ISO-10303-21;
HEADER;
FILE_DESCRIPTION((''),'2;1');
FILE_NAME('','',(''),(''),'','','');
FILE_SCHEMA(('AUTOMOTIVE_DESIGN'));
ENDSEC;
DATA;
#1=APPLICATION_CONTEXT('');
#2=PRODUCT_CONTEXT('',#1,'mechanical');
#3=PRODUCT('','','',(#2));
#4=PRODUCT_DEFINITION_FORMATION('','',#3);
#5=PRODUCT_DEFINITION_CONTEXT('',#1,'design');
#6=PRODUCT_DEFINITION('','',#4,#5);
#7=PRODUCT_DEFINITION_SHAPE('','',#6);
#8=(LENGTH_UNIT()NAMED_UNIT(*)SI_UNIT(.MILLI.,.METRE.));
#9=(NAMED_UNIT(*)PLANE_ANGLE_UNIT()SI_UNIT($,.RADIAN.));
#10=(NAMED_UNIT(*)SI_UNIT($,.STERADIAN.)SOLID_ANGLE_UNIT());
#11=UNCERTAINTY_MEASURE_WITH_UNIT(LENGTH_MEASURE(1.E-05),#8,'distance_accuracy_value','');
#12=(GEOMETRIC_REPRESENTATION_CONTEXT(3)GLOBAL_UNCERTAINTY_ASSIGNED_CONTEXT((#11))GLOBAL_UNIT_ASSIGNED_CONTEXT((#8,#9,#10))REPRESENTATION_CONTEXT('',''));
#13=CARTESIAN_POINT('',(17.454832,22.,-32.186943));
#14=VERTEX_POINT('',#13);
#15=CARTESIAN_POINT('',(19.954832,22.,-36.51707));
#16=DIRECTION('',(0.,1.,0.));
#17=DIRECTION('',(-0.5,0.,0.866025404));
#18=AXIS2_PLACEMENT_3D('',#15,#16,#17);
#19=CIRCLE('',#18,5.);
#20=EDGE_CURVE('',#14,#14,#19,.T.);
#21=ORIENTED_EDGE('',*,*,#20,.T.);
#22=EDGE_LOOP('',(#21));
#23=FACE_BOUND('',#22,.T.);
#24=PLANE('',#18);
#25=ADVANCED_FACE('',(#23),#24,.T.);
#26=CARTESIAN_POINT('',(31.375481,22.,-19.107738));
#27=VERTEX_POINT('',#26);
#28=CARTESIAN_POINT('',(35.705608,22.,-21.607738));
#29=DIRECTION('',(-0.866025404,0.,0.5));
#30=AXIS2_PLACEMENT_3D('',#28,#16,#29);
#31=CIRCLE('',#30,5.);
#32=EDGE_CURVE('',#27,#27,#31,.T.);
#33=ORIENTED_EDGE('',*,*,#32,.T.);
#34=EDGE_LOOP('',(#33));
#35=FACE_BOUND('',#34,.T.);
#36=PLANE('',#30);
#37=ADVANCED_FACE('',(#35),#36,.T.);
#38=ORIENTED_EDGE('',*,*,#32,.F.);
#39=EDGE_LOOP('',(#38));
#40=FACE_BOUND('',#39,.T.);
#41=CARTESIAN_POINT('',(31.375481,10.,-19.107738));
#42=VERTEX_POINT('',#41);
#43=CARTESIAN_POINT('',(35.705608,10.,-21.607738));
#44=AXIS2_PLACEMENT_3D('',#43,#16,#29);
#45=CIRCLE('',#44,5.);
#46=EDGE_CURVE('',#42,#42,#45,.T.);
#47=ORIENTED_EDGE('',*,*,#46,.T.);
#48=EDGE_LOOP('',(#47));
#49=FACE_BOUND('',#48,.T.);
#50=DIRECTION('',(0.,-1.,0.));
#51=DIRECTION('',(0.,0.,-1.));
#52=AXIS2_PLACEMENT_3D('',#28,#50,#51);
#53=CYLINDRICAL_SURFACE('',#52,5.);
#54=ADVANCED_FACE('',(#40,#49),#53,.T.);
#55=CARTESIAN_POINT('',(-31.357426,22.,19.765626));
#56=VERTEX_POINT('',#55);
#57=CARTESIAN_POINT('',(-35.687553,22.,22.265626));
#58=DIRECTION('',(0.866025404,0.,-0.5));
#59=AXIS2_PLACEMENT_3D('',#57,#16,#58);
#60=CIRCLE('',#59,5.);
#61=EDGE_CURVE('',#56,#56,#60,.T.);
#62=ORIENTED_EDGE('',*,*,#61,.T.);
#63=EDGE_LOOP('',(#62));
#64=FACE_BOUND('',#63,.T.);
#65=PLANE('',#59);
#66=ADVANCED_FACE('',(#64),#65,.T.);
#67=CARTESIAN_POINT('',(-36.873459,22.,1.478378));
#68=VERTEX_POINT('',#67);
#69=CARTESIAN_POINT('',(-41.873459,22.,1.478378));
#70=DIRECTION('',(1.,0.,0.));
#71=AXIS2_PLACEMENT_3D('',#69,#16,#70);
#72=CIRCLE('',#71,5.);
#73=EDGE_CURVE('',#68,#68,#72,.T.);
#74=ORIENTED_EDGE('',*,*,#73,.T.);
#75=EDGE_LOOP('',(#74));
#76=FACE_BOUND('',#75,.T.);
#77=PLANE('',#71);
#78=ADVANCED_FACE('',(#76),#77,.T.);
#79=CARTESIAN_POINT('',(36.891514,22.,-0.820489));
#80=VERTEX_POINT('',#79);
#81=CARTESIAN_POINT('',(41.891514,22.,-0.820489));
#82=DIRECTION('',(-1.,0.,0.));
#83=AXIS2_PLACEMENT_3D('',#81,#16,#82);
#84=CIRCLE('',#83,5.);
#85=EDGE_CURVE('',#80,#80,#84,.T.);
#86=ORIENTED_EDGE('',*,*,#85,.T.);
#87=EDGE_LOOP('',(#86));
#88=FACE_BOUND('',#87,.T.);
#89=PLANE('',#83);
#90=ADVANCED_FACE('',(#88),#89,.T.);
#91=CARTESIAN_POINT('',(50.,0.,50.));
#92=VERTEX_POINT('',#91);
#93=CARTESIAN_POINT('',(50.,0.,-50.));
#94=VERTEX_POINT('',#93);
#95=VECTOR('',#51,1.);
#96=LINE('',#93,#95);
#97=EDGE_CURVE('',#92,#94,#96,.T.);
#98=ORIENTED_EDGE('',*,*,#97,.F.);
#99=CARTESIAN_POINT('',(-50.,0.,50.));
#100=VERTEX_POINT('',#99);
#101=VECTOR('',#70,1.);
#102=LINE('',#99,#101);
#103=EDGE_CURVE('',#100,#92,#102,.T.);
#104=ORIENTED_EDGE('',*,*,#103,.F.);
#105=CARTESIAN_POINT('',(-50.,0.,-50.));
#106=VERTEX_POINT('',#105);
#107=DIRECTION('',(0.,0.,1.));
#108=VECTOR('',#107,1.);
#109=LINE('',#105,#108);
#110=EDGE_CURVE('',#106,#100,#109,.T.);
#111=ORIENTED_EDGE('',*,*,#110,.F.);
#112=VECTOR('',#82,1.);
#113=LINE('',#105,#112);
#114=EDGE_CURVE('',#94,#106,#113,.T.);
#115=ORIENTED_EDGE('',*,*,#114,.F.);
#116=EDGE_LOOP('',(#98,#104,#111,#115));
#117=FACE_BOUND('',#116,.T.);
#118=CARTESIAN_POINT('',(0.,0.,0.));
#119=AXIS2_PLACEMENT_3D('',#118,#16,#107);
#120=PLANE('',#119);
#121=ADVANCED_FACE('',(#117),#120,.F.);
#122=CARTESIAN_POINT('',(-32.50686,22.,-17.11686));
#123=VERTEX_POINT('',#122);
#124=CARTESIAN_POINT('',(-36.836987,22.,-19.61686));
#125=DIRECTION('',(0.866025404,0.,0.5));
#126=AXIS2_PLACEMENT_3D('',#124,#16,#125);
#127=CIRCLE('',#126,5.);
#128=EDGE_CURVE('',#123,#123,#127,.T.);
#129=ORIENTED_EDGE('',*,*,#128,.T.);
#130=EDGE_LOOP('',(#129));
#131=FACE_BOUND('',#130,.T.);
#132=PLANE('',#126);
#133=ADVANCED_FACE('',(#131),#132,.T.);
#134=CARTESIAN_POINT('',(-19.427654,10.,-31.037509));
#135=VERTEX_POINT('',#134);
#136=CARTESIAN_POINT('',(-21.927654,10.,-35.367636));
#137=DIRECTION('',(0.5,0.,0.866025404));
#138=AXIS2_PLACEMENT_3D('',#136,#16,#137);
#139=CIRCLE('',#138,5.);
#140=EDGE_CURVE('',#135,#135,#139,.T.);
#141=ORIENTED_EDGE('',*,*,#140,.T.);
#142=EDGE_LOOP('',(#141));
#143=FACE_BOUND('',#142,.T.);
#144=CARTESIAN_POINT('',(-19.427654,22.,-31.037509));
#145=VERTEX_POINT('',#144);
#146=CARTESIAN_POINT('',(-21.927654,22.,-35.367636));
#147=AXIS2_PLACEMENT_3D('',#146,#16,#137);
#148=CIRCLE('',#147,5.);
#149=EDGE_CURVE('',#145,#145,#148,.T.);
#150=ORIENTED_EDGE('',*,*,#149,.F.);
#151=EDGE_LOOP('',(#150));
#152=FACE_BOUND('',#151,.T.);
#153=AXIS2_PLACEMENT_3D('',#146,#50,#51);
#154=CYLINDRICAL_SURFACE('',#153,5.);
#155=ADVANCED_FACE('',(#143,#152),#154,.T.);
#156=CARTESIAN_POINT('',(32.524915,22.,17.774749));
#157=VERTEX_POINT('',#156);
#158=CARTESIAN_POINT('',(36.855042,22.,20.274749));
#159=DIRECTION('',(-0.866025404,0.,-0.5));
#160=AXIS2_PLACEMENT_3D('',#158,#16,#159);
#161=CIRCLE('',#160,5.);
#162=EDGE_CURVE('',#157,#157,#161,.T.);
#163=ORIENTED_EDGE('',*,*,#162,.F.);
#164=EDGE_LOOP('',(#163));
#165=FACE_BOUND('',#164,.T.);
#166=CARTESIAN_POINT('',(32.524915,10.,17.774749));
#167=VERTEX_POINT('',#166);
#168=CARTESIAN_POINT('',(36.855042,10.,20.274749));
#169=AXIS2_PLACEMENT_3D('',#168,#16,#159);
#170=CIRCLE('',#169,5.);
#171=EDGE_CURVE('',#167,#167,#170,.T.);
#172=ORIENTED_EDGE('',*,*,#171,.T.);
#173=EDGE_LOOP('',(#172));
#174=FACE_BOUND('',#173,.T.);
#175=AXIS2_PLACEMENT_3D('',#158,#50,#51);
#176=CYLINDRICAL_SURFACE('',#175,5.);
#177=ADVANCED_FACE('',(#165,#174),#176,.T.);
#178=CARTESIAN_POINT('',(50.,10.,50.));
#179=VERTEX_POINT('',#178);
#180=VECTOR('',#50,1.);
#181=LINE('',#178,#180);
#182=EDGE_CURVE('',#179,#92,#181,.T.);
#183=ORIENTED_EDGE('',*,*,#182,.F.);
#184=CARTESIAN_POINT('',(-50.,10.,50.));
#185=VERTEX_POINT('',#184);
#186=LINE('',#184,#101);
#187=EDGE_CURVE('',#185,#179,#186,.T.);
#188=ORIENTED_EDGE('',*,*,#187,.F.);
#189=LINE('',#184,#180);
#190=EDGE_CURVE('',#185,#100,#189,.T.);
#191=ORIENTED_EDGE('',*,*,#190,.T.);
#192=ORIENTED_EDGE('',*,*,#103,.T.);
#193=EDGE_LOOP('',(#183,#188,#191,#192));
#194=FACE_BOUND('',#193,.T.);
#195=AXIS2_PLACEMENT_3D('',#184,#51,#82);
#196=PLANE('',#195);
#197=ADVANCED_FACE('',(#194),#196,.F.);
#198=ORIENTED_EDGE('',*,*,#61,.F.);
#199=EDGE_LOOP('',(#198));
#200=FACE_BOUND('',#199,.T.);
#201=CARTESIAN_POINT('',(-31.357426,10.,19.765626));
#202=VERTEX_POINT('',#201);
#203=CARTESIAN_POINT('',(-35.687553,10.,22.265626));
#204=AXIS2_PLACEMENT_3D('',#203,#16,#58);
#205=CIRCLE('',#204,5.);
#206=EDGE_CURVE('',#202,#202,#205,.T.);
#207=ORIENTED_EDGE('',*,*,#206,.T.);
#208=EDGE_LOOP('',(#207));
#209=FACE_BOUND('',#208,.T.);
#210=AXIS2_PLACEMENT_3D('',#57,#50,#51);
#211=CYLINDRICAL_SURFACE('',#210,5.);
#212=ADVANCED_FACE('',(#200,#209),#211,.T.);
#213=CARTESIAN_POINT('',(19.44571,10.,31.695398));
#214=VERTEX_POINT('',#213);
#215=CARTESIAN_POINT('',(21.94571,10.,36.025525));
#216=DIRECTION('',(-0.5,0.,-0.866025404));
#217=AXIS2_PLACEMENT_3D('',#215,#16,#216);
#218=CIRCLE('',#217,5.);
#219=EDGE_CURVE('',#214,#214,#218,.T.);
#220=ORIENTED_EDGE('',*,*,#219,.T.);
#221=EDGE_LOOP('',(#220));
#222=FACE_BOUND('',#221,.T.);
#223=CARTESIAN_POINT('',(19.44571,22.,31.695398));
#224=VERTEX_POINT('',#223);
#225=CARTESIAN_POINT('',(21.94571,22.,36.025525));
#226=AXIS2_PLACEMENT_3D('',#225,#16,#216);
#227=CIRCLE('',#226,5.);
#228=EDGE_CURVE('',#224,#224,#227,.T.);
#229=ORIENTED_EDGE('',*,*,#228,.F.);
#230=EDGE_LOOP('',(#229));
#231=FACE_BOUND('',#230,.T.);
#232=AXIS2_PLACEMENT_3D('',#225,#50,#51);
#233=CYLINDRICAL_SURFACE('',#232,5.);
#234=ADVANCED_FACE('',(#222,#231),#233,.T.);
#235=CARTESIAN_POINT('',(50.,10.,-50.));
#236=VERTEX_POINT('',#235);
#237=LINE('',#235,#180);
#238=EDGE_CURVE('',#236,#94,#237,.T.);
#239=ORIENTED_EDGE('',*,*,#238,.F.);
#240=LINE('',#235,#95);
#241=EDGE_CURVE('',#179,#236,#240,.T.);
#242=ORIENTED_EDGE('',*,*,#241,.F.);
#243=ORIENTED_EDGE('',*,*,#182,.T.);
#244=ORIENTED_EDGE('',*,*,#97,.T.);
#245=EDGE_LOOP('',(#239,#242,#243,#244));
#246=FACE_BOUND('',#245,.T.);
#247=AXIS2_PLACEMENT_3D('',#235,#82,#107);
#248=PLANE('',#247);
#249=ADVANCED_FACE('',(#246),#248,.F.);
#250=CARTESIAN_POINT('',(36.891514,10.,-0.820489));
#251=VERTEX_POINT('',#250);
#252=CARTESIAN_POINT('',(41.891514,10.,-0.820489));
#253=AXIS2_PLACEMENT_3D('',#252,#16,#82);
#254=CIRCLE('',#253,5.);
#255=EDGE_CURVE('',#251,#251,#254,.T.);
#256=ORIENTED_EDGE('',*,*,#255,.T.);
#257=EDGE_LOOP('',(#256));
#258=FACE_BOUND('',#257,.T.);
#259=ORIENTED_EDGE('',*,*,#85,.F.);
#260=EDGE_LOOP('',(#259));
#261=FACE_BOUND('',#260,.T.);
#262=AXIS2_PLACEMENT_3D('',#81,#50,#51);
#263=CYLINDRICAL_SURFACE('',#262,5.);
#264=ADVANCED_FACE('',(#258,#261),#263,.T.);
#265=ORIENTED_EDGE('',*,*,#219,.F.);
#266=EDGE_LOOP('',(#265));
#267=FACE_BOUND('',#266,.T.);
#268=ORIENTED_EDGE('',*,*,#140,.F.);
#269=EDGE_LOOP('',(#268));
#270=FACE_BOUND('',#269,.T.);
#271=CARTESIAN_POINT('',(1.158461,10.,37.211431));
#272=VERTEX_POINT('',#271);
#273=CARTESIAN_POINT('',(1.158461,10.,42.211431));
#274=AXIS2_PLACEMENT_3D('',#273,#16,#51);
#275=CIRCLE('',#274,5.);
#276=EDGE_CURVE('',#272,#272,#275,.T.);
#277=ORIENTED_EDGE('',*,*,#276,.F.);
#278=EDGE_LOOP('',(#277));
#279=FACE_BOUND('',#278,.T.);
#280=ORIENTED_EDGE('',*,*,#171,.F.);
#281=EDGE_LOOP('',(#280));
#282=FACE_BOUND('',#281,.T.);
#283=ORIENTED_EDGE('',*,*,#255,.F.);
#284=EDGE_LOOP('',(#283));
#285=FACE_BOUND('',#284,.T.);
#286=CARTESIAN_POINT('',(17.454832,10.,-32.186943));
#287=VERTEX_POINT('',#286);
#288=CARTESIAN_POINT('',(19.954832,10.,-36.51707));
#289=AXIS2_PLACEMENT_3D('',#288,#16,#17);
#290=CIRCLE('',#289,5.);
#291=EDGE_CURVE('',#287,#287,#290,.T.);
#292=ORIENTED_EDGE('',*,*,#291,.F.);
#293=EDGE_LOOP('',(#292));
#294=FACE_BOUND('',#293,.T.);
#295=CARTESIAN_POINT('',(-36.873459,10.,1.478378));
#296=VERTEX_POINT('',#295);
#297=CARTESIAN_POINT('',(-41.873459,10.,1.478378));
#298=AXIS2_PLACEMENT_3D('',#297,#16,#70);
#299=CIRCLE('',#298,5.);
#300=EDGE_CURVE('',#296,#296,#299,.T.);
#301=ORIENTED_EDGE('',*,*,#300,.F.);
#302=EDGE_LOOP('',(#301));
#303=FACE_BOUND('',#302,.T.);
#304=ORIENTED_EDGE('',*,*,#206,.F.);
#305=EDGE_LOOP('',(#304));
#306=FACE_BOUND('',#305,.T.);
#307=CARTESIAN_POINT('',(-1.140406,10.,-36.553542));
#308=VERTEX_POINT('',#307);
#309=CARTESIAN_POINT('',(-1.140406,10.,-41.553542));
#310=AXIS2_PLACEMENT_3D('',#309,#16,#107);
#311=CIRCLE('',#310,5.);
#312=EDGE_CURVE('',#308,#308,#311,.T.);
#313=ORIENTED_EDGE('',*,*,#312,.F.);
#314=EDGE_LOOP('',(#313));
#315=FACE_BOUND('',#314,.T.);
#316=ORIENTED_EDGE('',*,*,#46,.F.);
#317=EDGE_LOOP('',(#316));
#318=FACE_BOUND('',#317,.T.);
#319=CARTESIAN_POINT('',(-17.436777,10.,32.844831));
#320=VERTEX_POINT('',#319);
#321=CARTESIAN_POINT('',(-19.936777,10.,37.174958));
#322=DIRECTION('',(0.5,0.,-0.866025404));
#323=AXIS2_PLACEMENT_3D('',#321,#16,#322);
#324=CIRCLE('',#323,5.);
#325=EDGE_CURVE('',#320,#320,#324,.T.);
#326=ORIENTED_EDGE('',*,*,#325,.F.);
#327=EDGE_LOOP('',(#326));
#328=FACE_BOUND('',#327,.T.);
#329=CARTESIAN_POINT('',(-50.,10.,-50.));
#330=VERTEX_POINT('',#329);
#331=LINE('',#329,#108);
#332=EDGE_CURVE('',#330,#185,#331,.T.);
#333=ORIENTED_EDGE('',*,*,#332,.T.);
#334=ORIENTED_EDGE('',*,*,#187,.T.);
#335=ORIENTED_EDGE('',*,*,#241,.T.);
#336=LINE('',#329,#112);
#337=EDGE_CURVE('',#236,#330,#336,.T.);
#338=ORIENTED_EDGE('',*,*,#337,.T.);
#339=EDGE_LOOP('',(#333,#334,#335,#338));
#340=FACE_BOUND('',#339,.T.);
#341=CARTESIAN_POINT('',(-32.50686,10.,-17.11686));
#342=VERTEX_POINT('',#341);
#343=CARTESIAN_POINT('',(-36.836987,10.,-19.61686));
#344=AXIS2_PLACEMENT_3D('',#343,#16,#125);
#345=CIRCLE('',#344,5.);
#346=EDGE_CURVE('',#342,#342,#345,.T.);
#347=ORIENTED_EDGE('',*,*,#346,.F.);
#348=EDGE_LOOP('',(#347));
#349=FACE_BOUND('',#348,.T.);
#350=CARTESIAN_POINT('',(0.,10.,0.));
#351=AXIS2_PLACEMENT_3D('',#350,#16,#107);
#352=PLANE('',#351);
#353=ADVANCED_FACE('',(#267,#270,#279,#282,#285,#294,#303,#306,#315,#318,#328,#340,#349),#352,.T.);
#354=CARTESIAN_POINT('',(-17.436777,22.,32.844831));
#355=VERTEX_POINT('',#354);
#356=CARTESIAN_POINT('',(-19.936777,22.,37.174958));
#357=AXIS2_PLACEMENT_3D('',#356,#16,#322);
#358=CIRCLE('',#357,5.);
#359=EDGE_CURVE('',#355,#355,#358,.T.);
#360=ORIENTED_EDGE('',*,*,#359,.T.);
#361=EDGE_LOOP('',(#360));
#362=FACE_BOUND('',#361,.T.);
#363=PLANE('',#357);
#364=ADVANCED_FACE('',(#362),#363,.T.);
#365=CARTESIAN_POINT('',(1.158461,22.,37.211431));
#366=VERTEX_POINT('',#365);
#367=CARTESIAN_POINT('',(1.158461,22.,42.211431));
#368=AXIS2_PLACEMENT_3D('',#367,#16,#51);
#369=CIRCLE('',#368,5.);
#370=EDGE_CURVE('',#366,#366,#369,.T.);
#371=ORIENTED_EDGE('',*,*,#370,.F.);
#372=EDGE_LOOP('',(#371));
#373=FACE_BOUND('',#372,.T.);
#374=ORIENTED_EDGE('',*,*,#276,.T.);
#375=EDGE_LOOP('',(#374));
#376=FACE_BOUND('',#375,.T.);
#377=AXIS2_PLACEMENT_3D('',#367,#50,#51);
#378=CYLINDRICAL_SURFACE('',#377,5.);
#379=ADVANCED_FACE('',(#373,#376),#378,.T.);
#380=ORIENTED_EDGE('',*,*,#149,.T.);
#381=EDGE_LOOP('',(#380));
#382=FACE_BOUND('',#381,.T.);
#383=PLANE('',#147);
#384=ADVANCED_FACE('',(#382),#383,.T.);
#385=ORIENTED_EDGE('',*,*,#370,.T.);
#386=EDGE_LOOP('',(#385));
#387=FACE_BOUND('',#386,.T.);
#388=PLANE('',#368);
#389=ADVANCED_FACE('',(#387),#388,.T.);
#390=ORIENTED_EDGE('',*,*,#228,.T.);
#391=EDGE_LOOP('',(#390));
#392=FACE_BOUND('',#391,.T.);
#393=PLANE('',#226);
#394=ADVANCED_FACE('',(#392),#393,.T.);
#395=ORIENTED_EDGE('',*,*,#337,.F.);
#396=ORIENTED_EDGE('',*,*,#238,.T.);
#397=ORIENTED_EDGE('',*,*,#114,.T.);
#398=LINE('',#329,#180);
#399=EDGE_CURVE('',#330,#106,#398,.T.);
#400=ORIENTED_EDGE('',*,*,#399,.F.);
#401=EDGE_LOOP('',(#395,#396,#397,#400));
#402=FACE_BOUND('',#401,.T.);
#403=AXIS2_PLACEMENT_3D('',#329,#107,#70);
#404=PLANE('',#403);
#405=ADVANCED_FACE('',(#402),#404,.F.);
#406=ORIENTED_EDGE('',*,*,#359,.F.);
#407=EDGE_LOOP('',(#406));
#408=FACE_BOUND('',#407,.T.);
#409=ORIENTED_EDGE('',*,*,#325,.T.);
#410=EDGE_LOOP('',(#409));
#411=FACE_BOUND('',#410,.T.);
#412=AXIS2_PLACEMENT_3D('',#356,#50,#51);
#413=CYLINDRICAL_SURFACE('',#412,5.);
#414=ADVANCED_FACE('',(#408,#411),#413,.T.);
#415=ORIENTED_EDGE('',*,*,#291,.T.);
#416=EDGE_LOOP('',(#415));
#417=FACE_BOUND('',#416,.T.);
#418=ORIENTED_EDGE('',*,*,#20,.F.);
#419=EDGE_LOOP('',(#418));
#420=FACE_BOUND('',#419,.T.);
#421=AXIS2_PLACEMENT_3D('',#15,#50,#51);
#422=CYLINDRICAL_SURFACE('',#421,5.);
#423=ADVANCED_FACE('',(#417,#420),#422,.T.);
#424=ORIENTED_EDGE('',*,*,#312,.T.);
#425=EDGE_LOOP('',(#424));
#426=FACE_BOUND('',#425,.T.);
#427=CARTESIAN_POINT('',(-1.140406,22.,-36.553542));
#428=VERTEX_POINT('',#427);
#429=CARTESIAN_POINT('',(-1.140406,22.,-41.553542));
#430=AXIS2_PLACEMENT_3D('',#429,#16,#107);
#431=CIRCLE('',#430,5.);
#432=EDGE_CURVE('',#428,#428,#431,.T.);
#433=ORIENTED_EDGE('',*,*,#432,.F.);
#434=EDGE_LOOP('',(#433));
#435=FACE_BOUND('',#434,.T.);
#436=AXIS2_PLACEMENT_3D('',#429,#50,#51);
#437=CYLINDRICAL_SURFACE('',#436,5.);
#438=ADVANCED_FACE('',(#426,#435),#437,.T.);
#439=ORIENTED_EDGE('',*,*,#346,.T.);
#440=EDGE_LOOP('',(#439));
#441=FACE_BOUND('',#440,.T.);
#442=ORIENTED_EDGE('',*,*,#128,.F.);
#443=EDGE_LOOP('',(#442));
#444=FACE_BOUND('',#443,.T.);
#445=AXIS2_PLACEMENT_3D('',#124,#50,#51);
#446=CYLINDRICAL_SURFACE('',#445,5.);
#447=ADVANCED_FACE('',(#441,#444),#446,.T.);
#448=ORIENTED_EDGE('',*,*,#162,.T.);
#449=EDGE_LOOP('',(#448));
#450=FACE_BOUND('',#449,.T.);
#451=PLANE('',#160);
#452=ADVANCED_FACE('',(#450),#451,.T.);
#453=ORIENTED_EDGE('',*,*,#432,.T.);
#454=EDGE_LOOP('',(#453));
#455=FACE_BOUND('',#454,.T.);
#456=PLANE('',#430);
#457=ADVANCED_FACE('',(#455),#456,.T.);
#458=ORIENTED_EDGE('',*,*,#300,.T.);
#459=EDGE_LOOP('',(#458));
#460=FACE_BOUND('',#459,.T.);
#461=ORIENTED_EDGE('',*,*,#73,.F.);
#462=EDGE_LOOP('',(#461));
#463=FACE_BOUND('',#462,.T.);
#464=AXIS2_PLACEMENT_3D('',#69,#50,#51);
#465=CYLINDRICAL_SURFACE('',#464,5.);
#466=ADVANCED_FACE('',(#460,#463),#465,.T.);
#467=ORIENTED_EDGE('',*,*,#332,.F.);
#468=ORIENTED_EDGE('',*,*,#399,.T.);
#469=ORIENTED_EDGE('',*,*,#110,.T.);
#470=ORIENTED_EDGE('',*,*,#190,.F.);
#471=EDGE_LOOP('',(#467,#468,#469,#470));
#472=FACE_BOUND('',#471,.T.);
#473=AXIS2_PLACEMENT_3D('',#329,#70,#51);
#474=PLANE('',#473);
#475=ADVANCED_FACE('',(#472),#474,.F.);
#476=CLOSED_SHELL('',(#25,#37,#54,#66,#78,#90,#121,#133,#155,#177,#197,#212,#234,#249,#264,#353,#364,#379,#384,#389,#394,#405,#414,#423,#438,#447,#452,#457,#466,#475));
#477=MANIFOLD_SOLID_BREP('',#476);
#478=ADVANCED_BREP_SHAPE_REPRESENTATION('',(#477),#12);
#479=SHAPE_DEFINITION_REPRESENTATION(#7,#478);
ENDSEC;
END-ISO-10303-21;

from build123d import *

# Parameters (mm, degrees)
CROQUIS1_W              = 100
CROQUIS1_H              = 100
SALIENTE_EXTRUIR1_DEPTH = 10
CROQUIS2_R              = 5
SALIENTE_EXTRUIR2_DEPTH = 12
MATRIZC1_COUNT          = 12


with BuildPart() as part:
    # Croquis1 → Saliente-Extruir1 (new body)
    with BuildSketch(Plane(origin=(0, 0, 0), x_dir=(1, 0, 0), z_dir=(0, 1, 0))):
        Rectangle(CROQUIS1_W, CROQUIS1_H)
    extrude(amount=SALIENTE_EXTRUIR1_DEPTH)

    # Croquis2 → Saliente-Extruir2 (add)
    with BuildSketch(Plane(origin=(0, 10, 0), x_dir=(1, 0, 0), z_dir=(0, 1, 0))):
        with Locations(Location((-1.140405964, 41.553542307, 0), (0, 0, 270))):
            Circle(CROQUIS2_R)
    saliente_extruir2 = extrude(amount=SALIENTE_EXTRUIR2_DEPTH)

    # MatrizC1: Saliente-Extruir2 ×12 about axis
    matrizc1_axis = Axis((0.00902763, 0, 0.32894428), (0, 1, 0))
    for i in range(1, MATRIZC1_COUNT):
        add(saliente_extruir2.rotate(matrizc1_axis, i * 360 / MATRIZC1_COUNT))


solid = part.part
